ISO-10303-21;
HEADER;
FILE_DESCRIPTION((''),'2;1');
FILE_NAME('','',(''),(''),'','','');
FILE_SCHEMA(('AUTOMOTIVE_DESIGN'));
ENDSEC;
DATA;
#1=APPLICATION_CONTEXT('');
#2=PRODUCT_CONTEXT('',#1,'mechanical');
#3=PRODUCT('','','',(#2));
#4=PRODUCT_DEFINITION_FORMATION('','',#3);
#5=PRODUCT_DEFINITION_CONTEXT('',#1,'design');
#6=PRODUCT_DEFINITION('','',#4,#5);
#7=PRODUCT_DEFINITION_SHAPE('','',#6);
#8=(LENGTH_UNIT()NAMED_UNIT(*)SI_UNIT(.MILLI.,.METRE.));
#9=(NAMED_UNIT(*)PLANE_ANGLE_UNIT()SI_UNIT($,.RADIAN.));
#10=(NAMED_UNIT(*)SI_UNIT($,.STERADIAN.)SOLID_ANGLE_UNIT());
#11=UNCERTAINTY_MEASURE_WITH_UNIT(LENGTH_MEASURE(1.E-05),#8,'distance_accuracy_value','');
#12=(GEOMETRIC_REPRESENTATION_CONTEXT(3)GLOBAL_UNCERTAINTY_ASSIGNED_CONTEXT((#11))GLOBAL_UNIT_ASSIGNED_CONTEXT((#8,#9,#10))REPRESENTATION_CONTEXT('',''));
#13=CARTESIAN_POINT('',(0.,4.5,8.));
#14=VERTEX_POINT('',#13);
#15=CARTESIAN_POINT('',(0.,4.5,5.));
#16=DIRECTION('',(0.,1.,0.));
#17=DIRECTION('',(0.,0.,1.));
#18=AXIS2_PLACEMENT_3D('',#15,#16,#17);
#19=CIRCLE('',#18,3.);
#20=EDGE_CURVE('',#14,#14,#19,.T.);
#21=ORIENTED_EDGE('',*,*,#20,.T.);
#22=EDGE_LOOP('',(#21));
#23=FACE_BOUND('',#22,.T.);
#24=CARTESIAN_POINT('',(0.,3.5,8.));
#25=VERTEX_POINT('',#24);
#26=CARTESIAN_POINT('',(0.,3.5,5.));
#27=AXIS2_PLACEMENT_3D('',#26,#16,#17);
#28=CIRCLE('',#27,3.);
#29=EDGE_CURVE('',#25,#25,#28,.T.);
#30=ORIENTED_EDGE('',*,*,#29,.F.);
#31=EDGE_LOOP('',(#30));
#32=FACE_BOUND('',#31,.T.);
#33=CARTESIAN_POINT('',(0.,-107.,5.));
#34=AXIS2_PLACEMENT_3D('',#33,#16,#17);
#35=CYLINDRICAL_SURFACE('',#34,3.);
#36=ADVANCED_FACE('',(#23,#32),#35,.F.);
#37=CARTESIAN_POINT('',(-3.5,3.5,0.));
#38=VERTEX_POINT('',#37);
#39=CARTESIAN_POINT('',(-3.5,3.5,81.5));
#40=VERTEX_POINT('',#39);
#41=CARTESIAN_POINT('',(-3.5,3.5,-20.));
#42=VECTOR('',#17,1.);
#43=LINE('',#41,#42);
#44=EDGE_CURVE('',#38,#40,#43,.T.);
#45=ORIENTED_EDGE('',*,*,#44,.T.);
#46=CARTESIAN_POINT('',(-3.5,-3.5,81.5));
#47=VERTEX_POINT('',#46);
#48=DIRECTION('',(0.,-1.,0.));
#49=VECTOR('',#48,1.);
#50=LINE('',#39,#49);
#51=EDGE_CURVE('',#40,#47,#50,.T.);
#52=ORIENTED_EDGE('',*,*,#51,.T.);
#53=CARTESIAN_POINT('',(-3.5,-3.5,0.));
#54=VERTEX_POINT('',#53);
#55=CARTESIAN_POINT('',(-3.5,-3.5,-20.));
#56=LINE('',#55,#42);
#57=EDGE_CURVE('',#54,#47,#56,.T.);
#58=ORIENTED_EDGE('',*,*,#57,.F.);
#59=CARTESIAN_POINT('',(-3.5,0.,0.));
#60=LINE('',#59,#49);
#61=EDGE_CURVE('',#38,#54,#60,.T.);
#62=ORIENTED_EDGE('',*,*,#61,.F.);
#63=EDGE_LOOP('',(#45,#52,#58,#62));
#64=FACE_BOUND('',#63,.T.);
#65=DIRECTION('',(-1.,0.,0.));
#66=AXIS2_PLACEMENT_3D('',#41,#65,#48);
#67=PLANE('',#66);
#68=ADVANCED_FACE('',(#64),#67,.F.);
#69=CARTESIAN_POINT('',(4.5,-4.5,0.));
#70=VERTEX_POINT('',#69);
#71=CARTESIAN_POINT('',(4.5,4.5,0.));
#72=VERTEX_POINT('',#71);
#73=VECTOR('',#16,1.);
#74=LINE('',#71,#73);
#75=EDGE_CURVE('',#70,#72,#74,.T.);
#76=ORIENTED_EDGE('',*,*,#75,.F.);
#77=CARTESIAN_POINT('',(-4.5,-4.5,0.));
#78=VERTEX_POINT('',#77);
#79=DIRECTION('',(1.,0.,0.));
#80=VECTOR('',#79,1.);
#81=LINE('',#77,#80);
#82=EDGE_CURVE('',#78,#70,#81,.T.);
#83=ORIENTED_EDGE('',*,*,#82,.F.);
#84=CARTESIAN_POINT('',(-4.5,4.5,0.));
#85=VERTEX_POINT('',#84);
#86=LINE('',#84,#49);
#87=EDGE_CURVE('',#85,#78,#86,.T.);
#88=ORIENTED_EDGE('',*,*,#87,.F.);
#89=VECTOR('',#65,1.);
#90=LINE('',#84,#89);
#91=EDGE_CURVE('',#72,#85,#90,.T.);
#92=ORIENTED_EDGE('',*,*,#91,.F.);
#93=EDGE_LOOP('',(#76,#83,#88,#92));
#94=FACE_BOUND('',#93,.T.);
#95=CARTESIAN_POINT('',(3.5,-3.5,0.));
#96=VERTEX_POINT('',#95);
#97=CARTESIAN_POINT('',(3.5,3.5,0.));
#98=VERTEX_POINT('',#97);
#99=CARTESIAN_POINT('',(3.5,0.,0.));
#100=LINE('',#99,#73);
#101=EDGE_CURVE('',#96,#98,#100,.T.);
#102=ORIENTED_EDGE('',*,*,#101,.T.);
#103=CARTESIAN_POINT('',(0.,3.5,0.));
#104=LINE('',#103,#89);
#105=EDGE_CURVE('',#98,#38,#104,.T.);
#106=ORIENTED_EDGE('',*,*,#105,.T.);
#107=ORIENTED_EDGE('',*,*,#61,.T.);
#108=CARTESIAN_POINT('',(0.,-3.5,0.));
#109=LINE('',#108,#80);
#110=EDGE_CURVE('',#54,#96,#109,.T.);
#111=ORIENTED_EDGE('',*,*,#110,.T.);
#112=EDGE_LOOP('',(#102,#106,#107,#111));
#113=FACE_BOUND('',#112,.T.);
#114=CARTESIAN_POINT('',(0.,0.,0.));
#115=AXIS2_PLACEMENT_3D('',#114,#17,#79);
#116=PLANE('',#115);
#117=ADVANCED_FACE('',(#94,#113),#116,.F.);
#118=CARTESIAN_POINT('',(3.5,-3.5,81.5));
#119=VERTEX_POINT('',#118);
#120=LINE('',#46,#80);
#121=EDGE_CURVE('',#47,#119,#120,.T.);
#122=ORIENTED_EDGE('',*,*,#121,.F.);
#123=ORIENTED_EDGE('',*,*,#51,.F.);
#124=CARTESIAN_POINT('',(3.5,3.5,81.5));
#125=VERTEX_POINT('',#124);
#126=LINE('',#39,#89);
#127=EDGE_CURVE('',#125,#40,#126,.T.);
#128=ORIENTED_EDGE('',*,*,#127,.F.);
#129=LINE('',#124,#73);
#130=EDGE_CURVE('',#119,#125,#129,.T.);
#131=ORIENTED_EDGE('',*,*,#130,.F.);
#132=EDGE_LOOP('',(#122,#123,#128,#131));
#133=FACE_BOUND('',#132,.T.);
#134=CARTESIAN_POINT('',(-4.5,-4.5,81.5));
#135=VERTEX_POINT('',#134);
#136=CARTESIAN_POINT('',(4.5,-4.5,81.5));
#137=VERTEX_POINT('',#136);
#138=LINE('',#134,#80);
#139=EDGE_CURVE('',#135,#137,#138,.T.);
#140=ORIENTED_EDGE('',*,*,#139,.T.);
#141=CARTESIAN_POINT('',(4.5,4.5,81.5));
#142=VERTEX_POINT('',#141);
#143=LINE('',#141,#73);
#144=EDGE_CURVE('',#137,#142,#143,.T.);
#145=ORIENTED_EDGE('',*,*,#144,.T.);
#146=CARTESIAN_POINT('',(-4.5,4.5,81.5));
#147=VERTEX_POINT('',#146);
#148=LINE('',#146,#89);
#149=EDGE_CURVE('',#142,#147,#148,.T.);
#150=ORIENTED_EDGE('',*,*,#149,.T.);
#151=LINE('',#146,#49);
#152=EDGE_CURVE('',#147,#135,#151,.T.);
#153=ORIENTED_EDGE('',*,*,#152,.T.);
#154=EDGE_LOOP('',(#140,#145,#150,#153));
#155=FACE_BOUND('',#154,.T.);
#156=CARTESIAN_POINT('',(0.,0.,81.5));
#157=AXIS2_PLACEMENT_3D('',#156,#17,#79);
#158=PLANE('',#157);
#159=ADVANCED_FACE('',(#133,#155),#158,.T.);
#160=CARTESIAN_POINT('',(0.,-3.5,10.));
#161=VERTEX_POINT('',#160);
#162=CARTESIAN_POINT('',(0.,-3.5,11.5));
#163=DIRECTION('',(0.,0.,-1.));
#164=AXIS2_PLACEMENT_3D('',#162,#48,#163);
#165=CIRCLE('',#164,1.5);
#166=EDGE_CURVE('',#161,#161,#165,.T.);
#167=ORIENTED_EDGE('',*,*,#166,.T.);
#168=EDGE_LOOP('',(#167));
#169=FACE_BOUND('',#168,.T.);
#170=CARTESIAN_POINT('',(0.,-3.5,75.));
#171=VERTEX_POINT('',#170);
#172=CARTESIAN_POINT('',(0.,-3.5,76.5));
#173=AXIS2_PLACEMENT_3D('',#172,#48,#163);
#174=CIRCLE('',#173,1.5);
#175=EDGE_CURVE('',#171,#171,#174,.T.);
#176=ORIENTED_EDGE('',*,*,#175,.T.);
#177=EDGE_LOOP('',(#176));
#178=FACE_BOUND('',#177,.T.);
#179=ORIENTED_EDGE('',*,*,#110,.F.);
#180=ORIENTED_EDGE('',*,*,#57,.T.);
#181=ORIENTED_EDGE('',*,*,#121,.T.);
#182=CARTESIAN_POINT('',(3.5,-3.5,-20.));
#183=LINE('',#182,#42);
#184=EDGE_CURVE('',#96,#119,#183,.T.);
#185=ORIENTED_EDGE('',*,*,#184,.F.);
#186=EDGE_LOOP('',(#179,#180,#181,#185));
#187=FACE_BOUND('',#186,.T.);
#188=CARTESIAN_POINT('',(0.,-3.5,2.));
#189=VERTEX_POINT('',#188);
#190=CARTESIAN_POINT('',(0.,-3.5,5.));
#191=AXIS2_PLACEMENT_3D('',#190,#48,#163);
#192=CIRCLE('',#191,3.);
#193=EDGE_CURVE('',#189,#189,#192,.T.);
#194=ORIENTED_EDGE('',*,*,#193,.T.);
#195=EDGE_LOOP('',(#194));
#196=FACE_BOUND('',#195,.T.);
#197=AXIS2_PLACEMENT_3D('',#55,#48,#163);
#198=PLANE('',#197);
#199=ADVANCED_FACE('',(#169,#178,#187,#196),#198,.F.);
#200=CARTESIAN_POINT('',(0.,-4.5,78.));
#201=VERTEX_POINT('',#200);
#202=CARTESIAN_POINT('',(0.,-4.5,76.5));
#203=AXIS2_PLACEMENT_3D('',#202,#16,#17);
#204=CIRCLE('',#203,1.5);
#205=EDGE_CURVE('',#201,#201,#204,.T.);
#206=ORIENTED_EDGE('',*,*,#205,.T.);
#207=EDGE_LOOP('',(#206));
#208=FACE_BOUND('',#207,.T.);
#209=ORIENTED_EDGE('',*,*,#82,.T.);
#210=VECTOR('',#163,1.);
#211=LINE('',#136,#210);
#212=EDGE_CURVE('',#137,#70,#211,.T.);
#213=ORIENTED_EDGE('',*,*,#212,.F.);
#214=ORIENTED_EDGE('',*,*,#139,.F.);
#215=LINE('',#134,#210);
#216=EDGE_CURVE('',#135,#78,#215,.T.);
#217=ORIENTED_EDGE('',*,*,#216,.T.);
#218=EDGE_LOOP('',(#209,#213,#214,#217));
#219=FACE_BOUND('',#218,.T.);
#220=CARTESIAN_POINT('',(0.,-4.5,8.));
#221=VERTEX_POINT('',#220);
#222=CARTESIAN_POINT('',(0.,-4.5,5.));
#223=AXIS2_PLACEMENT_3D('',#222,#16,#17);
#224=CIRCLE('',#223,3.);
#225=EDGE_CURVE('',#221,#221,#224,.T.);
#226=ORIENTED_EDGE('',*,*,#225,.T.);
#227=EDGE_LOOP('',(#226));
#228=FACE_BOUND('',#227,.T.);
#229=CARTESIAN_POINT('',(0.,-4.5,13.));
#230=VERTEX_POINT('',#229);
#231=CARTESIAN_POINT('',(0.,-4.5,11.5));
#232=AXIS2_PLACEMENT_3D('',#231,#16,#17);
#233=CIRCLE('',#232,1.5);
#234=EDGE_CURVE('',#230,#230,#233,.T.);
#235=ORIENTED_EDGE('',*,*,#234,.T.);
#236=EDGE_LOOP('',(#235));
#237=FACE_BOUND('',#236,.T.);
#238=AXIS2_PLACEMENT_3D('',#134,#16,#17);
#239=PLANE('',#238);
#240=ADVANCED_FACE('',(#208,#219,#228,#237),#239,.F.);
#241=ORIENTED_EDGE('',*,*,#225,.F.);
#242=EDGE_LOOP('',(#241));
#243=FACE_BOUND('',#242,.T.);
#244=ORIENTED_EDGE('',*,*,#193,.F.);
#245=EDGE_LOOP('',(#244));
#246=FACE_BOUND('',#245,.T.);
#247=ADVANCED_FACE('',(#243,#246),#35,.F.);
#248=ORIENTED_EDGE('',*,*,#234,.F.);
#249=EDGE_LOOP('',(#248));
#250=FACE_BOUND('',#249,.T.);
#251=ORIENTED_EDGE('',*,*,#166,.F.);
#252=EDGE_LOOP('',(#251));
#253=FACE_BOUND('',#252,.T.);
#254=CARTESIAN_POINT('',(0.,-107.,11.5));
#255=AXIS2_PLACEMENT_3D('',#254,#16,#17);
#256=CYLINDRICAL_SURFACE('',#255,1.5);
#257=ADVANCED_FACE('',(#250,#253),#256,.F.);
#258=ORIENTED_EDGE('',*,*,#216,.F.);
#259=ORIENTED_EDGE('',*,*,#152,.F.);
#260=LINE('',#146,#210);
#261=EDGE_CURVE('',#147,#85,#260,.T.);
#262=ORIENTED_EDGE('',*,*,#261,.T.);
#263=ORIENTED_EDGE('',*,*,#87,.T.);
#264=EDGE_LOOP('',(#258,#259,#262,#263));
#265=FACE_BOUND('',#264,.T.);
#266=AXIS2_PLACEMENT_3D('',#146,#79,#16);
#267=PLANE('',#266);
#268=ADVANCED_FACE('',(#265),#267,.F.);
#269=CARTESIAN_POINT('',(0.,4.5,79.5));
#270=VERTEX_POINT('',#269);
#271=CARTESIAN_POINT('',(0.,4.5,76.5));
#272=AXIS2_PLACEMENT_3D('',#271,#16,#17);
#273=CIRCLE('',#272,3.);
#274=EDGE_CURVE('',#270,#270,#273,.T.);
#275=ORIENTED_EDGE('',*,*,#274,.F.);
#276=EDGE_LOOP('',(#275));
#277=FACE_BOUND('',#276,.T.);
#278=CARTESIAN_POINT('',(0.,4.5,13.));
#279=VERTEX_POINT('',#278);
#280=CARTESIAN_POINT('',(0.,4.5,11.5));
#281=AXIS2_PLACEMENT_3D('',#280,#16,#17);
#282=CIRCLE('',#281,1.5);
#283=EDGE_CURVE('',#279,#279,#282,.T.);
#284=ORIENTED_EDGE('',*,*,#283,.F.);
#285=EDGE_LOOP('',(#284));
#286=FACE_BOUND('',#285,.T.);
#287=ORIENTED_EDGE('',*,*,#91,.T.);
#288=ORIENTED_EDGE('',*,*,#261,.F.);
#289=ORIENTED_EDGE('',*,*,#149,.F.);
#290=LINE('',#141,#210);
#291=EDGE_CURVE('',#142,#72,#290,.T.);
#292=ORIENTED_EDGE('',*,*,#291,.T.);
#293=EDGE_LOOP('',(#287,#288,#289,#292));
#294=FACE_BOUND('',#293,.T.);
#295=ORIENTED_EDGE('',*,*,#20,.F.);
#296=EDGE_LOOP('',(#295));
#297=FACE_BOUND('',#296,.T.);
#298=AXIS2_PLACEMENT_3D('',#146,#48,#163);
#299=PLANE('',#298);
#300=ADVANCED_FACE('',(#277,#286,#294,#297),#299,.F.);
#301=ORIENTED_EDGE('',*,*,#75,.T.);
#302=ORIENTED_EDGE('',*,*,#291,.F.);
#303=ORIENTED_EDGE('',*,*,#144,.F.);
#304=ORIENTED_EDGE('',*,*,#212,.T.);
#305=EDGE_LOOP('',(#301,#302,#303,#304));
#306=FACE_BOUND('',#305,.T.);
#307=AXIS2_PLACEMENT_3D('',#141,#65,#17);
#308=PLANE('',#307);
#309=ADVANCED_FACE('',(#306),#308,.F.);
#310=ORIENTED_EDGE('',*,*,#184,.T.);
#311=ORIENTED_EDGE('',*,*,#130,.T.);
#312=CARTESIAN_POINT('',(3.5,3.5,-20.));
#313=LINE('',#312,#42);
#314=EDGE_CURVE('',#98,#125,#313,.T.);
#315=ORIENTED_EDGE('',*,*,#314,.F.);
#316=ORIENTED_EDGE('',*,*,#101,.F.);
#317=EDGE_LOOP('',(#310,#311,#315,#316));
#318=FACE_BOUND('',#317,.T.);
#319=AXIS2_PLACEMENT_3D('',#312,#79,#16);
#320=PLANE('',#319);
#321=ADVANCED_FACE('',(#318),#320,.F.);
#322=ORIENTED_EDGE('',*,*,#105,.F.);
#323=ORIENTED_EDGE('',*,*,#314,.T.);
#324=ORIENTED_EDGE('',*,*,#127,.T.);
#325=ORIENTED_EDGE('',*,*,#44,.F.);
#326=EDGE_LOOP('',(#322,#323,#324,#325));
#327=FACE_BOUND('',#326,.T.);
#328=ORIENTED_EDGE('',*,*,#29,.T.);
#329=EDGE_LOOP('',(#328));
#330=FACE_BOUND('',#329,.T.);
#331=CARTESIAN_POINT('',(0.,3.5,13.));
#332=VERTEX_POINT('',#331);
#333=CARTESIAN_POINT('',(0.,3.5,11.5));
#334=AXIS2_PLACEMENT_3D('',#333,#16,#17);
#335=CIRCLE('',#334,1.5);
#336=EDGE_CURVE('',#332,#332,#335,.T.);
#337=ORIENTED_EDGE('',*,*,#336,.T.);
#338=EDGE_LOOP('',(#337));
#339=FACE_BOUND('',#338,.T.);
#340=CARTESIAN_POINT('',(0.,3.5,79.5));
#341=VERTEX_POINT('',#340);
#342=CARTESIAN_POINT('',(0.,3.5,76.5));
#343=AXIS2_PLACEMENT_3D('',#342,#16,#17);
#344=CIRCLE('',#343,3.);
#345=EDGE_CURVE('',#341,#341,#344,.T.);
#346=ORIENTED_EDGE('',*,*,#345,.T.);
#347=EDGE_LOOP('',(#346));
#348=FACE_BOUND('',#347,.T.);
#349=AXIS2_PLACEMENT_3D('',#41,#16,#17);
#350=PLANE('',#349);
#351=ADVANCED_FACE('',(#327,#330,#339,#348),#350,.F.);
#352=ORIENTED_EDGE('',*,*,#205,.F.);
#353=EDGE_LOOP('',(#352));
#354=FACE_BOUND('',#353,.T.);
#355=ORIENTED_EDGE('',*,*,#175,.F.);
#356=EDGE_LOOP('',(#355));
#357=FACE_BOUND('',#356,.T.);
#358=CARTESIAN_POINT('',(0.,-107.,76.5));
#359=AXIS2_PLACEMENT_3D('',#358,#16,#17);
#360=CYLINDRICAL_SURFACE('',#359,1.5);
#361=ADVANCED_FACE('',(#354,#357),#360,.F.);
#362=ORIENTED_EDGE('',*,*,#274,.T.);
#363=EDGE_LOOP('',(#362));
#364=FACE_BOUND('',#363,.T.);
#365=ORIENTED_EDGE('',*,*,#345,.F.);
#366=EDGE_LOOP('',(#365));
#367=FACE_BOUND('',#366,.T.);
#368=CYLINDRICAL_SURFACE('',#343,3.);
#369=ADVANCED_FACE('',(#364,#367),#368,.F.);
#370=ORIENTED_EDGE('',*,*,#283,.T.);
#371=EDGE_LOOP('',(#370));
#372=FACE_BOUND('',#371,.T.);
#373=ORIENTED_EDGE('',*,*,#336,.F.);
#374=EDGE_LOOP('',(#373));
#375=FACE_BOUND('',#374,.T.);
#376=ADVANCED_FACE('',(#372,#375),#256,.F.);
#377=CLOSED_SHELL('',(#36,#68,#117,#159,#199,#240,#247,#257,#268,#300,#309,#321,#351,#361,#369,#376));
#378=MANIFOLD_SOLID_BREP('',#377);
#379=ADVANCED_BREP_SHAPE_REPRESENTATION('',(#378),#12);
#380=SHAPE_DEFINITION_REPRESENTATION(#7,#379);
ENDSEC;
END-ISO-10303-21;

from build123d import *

# Parameters (mm, degrees)
SKETCH_1_W          = 9
SKETCH_1_H          = 9
EXTRUDE_1_DEPTH     = 81.5
SKETCH_2_W          = 7
SKETCH_2_H          = 7
CUT_EXTRUDE_1_DEPTH = 101.5
SKETCH_3_R          = 3
SKETCH_3_R_2        = 1.5
CUT_EXTRUDE_2_DEPTH = 111.5
SKETCH_4_R          = 3
CUT_EXTRUDE_3_DEPTH = 1


with BuildPart() as part:
    # ｽｹｯﾁ1 → ﾎﾞｽ - 押し出し1 (new body)
    with BuildSketch(Plane.XY):
        Rectangle(SKETCH_1_W, SKETCH_1_H)
    extrude(amount=EXTRUDE_1_DEPTH)

    # ｽｹｯﾁ2 → ｶｯﾄ - 押し出し1 (cut)
    with BuildSketch(Plane.XY.offset(81.5)):
        Rectangle(SKETCH_2_W, SKETCH_2_H)
    extrude(amount=-CUT_EXTRUDE_1_DEPTH, mode=Mode.SUBTRACT)

    # ｽｹｯﾁ3 → ｶｯﾄ - 押し出し2 (cut)
    with BuildSketch(Plane(origin=(0, 4.5, 0), x_dir=(1, 0, 0), z_dir=(0, 1, 0))):
        with Locations((0, -5)):
            Circle(SKETCH_3_R)
        with Locations((0, -11.5)):
            Circle(SKETCH_3_R_2)
        with Locations((0, -76.5)):
            Circle(SKETCH_3_R_2)
    extrude(amount=-CUT_EXTRUDE_2_DEPTH, mode=Mode.SUBTRACT)

    # ｽｹｯﾁ4 → ｶｯﾄ - 押し出し3 (cut)
    with BuildSketch(Plane(origin=(0, 4.5, 0), x_dir=(1, 0, 0), z_dir=(0, 1, 0))):
        with Locations((0, -76.5)):
            Circle(SKETCH_4_R)
    extrude(amount=-CUT_EXTRUDE_3_DEPTH, mode=Mode.SUBTRACT)


solid = part.part
